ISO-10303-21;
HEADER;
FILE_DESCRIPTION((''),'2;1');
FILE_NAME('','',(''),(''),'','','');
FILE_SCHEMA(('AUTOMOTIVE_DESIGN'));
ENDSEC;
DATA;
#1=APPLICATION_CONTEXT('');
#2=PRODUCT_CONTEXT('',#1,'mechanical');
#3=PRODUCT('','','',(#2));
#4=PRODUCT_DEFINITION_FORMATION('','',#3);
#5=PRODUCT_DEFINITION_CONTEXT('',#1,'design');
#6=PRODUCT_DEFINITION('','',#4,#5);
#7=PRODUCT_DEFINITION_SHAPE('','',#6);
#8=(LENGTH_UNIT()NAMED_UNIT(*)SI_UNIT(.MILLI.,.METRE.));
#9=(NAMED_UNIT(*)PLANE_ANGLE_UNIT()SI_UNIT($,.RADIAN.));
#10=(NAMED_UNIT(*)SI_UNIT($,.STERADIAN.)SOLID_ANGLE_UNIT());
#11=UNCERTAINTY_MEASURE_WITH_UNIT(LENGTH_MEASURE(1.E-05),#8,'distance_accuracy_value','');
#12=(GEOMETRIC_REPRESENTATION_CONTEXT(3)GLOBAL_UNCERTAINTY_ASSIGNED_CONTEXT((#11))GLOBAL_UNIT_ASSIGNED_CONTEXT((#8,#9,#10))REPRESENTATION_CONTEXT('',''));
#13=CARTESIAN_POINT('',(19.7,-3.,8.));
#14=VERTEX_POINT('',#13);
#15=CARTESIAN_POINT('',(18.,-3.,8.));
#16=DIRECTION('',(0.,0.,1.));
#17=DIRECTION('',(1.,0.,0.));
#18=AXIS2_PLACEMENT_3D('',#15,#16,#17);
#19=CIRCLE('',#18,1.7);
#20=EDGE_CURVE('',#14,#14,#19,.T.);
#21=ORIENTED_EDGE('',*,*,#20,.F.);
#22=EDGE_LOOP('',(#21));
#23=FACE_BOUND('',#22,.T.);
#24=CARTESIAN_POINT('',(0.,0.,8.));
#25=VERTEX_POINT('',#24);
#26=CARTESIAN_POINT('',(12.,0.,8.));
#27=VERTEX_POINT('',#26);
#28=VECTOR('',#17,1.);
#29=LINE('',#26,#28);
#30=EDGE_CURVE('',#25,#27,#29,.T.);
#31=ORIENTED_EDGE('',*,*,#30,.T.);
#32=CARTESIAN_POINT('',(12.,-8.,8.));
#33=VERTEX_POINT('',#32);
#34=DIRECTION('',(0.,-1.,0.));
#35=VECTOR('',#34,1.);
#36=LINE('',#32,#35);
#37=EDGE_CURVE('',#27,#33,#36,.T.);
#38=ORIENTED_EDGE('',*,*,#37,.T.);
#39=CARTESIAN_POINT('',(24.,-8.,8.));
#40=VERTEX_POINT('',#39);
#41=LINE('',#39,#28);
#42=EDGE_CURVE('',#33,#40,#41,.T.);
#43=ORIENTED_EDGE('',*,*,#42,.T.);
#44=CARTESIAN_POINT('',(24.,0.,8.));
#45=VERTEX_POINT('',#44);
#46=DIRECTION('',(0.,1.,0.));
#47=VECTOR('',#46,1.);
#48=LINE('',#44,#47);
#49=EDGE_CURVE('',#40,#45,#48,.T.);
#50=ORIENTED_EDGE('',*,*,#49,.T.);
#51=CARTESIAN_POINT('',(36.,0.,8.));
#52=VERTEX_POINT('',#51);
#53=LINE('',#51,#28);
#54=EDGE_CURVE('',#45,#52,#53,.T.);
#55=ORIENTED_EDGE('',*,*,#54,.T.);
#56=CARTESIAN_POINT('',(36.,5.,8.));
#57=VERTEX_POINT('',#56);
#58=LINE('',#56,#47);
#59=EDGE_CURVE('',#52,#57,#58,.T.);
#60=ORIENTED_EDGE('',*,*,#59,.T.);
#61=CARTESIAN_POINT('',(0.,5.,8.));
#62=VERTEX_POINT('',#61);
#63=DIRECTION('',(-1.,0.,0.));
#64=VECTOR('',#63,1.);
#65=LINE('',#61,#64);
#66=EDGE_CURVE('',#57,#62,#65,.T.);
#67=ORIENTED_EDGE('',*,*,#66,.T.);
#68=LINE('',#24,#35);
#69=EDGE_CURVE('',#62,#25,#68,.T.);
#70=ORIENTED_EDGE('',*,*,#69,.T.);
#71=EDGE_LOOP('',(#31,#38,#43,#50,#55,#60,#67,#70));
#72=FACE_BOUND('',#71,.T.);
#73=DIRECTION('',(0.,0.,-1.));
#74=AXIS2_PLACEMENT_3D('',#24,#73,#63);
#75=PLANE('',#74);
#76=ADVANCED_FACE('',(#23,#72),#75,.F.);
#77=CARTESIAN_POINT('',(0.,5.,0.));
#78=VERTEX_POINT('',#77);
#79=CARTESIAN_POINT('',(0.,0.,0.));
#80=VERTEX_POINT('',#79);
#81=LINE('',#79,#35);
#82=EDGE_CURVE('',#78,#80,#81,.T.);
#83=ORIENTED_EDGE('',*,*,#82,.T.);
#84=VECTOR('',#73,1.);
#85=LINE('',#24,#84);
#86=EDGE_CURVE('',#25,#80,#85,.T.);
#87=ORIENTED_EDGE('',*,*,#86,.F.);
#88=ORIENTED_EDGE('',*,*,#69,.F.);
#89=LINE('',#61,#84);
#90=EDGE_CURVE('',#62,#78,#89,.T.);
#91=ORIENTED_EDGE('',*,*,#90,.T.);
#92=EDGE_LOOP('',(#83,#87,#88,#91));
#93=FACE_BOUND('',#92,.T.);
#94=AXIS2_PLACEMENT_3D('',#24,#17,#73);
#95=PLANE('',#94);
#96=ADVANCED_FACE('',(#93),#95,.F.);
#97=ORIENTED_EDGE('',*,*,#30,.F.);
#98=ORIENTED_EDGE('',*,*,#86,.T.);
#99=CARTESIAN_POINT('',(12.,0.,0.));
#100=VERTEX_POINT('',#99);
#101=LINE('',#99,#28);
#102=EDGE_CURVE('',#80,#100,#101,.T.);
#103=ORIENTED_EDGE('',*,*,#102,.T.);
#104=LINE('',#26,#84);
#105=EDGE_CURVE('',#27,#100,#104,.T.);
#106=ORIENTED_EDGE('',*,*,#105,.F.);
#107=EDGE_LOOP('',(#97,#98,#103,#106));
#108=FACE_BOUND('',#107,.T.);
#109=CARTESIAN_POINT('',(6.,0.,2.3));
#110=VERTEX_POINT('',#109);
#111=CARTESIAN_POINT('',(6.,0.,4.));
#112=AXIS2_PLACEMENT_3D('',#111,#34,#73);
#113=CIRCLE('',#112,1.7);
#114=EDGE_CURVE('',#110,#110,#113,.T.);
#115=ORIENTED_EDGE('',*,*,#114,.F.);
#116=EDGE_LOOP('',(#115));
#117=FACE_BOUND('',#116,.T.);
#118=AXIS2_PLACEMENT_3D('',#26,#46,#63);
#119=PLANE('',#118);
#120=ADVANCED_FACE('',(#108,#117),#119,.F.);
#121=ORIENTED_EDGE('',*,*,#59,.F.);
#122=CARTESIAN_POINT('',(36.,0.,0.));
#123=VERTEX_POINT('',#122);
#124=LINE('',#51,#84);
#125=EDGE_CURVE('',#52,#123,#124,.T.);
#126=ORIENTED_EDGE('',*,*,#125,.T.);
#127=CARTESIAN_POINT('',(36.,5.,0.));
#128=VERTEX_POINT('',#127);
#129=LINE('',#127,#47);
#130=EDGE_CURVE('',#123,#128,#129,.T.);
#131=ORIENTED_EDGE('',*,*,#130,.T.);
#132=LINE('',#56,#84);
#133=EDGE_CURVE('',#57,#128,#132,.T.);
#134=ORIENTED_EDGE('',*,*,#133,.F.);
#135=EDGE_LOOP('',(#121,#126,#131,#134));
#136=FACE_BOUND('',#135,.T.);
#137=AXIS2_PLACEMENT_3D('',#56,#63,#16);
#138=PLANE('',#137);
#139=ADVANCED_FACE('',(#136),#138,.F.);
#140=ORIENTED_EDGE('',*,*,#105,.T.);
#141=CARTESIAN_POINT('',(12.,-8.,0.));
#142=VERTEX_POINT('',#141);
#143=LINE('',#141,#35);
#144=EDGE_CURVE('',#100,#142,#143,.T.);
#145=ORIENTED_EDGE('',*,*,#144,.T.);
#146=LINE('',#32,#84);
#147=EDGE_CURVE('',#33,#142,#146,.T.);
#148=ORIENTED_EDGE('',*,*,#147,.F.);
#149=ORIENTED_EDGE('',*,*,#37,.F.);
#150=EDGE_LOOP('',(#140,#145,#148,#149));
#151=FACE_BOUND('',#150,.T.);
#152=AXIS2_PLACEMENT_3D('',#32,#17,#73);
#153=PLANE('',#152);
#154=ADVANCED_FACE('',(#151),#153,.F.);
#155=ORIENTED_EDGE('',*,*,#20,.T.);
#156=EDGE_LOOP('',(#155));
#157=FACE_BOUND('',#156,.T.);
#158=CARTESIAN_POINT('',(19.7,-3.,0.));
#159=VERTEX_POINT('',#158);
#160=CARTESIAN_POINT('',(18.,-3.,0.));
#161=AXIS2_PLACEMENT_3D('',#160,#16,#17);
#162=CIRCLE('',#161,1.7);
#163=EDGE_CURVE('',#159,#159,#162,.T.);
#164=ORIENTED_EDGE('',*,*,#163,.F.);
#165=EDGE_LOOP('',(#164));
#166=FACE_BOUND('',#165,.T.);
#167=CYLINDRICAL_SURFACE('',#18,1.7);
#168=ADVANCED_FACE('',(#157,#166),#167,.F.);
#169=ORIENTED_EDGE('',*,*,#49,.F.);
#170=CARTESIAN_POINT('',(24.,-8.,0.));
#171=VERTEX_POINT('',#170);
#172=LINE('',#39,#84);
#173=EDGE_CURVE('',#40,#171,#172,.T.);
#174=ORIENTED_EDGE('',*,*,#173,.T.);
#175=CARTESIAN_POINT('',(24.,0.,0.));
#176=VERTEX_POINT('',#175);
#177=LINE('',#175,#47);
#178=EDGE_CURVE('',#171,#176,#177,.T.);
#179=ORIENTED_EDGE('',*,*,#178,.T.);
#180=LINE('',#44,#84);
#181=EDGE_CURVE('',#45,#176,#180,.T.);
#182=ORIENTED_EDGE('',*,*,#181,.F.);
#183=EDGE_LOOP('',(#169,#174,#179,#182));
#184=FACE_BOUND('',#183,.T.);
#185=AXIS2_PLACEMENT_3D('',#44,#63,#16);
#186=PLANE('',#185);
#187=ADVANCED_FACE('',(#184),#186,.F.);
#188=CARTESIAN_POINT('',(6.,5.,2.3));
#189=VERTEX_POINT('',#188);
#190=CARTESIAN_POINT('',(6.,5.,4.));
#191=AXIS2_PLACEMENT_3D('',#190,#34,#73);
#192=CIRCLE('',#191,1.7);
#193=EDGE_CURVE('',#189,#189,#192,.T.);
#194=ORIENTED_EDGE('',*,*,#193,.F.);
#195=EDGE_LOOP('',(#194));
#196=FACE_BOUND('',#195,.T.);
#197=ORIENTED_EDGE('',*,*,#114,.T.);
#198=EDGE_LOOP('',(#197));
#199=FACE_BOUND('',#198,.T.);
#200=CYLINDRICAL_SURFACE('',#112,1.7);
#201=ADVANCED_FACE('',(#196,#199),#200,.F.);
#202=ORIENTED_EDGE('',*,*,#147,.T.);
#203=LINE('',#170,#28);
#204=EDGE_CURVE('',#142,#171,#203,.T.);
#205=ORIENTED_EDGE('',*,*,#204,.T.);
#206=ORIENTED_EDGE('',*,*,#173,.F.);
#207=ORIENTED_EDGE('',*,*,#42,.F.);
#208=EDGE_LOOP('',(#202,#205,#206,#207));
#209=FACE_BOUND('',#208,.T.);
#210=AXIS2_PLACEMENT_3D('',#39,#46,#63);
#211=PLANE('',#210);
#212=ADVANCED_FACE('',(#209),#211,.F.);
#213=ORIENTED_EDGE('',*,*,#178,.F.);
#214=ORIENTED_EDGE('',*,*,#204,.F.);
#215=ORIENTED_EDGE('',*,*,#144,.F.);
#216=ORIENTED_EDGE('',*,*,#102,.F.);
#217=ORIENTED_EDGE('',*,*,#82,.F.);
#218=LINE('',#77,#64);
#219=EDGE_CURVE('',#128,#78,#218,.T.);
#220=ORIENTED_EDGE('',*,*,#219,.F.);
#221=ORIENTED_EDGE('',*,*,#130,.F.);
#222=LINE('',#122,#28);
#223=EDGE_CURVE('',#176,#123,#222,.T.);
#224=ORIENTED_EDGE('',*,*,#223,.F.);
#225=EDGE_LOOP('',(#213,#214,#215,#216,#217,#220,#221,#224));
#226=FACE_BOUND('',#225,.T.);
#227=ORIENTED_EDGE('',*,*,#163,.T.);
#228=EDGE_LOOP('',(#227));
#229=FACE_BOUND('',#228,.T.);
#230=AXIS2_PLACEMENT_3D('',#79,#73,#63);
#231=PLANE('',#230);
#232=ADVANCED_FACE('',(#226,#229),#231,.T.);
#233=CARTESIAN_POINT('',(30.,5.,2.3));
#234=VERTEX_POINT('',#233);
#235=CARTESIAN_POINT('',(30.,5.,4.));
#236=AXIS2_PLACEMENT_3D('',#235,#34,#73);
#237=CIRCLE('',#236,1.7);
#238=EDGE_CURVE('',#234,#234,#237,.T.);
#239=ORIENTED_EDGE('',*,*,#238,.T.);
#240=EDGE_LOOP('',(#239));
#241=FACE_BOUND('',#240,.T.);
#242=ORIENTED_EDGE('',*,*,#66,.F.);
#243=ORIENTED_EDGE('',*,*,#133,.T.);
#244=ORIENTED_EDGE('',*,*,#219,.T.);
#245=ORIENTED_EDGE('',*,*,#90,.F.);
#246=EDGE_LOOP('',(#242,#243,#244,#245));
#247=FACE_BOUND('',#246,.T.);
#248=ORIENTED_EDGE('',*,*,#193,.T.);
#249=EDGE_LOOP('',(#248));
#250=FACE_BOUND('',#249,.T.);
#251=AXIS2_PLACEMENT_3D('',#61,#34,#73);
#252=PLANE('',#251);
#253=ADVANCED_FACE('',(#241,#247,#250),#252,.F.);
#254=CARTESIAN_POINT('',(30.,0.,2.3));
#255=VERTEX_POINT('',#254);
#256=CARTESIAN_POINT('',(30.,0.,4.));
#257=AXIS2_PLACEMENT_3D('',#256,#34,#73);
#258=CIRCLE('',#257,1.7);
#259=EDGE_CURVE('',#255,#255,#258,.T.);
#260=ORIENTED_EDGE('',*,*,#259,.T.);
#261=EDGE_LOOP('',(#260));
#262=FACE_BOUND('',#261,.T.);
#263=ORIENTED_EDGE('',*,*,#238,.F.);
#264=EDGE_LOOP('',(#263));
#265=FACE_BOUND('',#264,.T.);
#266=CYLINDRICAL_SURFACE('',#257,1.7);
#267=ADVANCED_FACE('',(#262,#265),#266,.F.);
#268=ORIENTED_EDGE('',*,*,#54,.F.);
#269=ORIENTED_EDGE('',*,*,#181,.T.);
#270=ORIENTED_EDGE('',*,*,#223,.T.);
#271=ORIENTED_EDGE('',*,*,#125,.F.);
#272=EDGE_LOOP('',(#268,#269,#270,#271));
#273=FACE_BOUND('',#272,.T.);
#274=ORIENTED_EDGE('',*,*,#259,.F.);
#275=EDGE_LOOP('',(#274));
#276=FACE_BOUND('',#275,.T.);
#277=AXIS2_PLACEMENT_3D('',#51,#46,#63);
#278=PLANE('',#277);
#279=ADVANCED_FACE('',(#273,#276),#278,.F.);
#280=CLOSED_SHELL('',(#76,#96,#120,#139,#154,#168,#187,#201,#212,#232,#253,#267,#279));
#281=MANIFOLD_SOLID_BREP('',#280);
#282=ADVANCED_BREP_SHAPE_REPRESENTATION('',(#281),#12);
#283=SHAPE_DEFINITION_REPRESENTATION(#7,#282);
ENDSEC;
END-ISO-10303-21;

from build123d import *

# Parameters (mm, degrees)
BOSS_EXTRUDE1_DEPTH  = 8
M3_CLEARANCE_HOLE1_D = 3.4
M3_CLEARANCE_HOLE2_D = 3.4


with BuildPart() as part:
    # Sketch1 → Boss-Extrude1 (new body)
    with BuildSketch(Plane.XY):
        Polygon((0, 0), (0, 5), (36, 5), (36, 0), (24, 0), (24, -8), (12, -8), (12, 0), align=None)
    extrude(amount=BOSS_EXTRUDE1_DEPTH)

    # M3 Clearance Hole1 (through all)
    with Locations(Plane.XY.offset(8)):
        with Locations((18, -3)):
            Hole(M3_CLEARANCE_HOLE1_D / 2)

    # M3 Clearance Hole2 (through all)
    with Locations(Plane(origin=(0, 0, 0), x_dir=(-1, 0, 0), z_dir=(0, -1, 0))):
        with Locations((-6, -4), (-30, -4)):
            Hole(M3_CLEARANCE_HOLE2_D / 2)


solid = part.part
